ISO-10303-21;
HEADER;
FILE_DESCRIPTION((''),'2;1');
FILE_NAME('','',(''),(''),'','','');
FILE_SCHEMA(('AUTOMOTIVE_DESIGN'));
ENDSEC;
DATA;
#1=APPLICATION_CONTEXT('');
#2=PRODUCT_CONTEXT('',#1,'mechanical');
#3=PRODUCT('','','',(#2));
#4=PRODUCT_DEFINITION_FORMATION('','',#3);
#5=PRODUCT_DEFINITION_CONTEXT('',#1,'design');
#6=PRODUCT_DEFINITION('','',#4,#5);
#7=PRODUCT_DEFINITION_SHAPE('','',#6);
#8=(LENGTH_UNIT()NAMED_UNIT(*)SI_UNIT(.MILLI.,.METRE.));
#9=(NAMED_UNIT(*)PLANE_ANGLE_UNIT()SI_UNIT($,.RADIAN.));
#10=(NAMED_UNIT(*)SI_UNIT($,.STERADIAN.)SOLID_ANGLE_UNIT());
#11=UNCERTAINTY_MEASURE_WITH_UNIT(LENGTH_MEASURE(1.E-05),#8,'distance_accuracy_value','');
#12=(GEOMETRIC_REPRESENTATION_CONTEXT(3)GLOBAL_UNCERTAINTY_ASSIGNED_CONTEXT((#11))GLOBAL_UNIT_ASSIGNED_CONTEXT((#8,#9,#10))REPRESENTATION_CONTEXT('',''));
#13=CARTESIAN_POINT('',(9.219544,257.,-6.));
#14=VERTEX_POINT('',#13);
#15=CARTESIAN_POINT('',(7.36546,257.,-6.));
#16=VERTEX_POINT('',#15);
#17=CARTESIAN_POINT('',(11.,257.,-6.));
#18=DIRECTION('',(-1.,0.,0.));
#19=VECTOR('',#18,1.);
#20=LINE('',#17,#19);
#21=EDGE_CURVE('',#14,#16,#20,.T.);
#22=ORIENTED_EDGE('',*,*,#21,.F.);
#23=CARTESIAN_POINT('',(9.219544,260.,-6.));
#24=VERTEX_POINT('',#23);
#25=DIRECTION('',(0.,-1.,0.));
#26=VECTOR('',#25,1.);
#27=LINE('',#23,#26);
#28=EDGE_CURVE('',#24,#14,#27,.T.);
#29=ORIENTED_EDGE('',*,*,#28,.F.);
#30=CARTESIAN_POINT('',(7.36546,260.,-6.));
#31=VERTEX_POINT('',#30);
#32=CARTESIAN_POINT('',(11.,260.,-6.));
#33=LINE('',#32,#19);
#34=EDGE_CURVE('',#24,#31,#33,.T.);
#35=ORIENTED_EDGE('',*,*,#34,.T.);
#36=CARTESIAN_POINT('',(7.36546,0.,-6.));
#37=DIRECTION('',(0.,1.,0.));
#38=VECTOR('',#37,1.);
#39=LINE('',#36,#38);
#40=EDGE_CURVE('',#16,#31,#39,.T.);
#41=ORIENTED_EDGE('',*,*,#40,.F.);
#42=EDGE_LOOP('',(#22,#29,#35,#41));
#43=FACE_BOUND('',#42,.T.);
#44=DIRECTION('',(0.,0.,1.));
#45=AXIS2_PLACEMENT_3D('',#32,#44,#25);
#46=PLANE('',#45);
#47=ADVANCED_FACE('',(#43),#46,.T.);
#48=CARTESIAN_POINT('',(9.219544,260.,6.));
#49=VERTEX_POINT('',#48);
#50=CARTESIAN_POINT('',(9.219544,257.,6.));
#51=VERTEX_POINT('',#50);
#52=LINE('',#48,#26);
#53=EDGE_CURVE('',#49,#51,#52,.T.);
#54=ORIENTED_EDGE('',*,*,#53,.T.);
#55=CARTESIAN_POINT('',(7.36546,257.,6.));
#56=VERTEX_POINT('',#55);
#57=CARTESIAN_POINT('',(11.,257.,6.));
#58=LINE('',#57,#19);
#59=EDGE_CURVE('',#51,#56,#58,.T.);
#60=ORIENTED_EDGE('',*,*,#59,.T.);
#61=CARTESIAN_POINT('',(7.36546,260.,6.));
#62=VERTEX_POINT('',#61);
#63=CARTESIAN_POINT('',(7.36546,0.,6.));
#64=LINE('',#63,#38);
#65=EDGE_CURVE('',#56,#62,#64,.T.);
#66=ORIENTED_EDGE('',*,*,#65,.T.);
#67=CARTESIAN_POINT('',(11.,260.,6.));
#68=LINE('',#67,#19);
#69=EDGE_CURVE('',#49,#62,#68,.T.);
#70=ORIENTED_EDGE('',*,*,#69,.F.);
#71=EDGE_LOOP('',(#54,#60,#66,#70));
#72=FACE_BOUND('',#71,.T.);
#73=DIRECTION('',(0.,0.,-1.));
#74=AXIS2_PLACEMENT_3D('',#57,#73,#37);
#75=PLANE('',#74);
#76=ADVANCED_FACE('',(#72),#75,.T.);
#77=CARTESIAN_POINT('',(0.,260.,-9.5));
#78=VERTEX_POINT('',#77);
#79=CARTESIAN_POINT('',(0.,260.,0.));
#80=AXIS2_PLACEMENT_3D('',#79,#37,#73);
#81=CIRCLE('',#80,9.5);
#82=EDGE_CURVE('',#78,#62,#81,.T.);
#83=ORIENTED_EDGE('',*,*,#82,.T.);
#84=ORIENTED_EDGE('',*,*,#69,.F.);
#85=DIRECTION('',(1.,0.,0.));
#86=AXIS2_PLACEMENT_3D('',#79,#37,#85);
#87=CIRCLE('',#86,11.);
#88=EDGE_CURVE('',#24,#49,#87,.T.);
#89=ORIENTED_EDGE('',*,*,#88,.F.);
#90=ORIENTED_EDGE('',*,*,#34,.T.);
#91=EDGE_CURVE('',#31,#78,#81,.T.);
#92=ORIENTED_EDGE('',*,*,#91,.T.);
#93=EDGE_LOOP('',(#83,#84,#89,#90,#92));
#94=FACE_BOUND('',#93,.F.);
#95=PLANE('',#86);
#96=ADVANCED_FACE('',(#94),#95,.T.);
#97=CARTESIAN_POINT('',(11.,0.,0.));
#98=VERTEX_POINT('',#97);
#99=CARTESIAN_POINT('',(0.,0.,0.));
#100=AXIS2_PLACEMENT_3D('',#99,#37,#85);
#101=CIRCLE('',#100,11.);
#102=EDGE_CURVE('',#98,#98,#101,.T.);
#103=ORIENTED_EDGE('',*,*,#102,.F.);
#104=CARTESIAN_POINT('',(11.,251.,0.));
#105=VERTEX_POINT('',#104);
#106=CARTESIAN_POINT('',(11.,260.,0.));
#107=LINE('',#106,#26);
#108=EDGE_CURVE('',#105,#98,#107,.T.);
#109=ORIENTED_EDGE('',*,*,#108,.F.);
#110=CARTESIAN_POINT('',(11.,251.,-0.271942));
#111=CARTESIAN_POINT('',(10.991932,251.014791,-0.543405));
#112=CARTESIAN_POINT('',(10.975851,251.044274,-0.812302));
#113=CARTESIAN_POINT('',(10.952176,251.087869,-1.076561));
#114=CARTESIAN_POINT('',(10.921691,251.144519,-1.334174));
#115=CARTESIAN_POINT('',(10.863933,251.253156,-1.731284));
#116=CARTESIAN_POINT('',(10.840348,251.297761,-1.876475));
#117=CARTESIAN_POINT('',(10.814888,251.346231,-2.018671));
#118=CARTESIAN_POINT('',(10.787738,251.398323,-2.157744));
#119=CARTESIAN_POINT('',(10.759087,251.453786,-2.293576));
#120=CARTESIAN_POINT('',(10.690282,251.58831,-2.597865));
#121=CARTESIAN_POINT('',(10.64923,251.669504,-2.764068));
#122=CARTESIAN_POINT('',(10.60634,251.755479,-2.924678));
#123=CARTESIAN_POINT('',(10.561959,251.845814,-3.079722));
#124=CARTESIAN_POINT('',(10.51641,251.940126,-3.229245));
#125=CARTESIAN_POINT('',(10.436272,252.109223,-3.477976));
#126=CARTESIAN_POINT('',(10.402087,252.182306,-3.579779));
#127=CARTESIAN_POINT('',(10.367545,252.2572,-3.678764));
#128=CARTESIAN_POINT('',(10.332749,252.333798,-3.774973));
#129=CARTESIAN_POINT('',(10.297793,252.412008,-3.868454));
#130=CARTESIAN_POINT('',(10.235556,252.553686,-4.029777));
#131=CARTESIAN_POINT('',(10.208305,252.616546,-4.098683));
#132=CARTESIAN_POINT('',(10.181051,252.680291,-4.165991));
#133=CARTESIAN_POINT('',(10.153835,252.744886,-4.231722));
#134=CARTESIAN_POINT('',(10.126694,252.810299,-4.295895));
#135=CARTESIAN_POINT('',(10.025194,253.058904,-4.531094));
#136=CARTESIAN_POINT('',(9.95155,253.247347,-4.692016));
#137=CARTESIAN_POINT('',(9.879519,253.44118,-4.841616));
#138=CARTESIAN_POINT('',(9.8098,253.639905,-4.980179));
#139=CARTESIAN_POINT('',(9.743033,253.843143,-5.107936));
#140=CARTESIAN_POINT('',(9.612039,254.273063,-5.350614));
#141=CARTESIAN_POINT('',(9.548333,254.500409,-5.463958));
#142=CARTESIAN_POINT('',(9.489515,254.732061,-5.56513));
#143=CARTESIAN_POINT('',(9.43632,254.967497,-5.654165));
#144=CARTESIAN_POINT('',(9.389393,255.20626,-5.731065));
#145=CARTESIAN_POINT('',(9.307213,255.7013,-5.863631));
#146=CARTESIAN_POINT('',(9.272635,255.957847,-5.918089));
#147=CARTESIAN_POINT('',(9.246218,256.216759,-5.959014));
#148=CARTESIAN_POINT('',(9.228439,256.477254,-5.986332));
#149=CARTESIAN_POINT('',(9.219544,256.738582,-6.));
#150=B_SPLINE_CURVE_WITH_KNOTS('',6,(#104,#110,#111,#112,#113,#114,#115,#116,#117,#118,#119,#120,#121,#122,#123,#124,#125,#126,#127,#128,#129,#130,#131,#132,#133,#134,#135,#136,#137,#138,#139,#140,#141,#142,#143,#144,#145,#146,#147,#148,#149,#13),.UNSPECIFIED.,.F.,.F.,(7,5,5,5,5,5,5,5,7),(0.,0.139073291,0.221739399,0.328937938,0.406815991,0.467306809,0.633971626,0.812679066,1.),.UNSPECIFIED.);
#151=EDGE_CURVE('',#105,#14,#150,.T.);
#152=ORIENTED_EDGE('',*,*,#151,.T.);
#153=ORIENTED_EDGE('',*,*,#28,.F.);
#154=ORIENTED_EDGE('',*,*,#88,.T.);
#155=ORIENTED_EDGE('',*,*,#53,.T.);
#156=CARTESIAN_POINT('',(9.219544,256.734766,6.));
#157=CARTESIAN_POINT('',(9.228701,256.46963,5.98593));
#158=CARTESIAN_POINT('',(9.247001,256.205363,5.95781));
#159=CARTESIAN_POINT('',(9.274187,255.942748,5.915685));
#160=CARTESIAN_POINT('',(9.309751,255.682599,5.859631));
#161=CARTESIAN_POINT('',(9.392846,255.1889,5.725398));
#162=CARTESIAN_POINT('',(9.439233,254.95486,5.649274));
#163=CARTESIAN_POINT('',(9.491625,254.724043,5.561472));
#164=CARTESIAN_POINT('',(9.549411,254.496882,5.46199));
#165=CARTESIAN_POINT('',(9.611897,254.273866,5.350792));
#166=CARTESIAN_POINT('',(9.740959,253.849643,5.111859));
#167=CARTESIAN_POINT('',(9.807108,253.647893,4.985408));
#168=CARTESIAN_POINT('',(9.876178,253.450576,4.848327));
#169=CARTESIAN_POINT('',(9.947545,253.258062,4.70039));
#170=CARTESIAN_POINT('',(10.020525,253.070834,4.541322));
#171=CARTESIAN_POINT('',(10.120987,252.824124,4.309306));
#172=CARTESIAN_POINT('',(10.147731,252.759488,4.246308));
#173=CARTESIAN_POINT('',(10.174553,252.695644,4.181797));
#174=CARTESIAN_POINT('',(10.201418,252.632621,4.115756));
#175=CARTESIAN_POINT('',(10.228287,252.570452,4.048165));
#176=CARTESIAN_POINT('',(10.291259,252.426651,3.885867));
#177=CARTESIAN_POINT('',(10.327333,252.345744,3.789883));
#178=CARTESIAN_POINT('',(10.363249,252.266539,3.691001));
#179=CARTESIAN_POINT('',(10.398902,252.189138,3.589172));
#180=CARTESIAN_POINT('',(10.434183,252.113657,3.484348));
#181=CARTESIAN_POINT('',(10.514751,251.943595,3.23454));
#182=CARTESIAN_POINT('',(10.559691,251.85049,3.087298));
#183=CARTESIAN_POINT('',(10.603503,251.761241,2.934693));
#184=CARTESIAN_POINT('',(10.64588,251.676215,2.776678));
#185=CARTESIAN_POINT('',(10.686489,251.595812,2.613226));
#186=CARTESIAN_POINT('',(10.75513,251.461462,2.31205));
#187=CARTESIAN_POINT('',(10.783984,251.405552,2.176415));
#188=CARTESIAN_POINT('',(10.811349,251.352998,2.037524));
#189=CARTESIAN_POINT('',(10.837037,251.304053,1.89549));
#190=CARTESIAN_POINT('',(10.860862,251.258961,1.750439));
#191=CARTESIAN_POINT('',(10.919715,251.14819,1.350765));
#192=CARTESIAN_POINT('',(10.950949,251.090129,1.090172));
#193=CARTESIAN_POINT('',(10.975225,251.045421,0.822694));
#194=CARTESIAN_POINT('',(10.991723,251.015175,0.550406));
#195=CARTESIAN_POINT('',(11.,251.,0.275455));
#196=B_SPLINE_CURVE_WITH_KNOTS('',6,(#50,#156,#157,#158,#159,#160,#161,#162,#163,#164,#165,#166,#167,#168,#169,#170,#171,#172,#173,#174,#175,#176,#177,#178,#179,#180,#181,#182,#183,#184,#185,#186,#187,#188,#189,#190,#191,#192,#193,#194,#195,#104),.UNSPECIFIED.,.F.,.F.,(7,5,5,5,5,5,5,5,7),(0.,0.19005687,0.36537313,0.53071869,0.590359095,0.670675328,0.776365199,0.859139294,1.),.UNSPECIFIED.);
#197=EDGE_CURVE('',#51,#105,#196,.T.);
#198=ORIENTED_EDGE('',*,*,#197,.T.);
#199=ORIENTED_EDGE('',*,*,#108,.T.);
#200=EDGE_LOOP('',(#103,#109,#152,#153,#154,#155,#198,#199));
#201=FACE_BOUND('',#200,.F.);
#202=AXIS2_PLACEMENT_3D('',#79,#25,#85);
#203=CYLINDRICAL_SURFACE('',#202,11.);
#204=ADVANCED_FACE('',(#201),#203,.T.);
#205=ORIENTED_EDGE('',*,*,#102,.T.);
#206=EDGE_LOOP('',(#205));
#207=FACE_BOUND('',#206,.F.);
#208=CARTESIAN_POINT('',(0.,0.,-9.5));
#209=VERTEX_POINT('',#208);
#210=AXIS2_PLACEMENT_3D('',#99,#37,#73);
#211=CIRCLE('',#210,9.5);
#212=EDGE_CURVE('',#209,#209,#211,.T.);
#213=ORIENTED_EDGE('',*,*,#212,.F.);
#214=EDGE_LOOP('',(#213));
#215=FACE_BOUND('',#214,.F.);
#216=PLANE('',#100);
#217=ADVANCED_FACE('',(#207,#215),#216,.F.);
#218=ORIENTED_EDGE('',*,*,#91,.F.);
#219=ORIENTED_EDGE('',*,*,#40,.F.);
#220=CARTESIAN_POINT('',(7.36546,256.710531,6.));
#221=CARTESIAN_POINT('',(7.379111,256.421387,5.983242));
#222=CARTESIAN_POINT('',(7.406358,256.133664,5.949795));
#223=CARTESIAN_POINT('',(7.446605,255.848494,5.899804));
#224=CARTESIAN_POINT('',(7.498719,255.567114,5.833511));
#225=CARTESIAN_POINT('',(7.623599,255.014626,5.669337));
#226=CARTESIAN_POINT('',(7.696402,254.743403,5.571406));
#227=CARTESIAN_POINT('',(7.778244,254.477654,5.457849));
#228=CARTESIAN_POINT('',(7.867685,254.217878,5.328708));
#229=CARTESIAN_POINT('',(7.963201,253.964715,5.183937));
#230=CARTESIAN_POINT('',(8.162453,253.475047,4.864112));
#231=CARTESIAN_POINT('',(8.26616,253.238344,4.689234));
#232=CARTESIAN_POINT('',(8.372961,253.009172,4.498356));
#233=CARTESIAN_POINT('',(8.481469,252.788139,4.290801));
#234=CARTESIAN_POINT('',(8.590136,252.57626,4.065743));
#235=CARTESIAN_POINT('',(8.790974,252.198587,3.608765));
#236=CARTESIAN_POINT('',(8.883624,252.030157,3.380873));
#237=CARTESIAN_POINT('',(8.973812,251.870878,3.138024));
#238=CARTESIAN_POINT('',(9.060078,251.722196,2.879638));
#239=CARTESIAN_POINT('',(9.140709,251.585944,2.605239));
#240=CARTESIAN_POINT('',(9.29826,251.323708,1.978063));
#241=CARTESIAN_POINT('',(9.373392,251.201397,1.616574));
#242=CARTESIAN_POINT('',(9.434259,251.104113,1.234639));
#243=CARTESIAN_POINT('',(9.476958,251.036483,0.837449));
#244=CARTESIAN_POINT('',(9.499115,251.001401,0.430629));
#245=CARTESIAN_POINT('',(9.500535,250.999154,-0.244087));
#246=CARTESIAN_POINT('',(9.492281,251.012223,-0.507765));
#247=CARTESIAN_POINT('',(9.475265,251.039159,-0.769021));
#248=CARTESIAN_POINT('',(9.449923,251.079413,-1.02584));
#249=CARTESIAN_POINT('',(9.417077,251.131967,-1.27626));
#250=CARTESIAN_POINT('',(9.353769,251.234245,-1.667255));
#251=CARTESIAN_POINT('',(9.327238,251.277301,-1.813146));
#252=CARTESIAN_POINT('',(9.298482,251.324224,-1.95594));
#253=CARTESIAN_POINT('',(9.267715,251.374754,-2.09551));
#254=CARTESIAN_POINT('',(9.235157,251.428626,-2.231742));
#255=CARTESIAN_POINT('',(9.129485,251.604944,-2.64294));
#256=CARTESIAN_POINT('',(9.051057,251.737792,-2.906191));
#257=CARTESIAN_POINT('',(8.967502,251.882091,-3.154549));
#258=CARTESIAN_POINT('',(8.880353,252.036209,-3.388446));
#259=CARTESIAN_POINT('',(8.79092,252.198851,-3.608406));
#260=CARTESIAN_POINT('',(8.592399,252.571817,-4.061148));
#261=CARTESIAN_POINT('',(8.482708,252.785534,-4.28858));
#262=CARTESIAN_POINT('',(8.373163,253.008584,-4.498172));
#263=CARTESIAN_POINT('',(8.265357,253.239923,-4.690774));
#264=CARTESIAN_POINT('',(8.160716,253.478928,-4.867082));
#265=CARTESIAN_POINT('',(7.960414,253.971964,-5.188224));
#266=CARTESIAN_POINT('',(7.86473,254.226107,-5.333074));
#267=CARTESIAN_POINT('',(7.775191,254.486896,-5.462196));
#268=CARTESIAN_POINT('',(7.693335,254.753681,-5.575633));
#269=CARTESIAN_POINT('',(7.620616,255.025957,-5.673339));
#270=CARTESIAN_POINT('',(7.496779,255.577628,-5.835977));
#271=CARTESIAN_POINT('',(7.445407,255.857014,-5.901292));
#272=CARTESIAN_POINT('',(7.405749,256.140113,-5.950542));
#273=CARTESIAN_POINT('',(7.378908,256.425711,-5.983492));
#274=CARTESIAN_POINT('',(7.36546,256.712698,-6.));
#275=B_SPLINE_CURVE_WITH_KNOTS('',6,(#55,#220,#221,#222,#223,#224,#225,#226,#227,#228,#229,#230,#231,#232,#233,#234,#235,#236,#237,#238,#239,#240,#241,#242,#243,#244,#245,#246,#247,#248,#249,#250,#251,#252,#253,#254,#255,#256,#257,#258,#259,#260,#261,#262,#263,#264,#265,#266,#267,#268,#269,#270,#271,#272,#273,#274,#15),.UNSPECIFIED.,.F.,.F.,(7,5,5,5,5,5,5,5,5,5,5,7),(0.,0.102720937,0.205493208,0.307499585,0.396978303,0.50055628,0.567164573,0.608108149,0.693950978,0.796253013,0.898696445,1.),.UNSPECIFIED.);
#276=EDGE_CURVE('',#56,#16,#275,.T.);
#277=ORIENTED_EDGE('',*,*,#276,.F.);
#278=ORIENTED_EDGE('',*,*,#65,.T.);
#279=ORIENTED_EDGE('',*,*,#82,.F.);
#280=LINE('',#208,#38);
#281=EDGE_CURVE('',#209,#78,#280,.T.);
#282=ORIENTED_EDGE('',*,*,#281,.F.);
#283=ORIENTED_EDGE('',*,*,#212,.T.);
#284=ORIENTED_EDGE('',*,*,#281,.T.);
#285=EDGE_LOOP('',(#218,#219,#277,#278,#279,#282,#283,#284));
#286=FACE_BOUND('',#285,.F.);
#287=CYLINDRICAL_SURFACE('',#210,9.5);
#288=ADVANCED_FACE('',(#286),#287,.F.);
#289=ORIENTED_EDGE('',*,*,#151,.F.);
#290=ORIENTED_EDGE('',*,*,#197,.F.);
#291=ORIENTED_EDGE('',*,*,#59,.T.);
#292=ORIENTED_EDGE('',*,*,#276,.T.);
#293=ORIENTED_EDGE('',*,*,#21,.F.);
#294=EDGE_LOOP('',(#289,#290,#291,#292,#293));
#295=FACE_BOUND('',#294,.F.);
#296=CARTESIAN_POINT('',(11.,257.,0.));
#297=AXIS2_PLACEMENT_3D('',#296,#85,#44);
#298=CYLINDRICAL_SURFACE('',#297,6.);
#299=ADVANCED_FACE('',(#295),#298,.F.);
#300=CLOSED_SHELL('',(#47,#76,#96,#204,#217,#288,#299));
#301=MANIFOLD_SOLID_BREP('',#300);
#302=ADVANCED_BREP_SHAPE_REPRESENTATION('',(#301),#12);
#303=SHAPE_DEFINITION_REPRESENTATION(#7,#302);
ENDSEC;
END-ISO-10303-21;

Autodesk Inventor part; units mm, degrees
ref_plane "XZ Plane" through (0, 0, 0) normal (0, 1, 0) x (-1, 0, 0)
ref_plane "XY Plane" through (0, 0, 0) normal (0, 0, 1) x (1, 0, 0)
sketch "Sketch1" plane through (0, 0, 0) normal (0, 0, 1) x (1, 0, 0)
  line L0 (0, 0) -> (0, 260)
  line L1 (0, 260) -> (11, 260)
  line L2 (11, 260) -> (11, 0)
  line L3 (11, 0) -> (0, 0)
  dimension "d0" = 22
  dimension "d1" = 260
revolve "Revolution1" add sketch "Sketch1" angle 360 about axis through (0, 0, 0) along (0, 1, 0)
sketch "Sketch2" plane through (0, 0, 0) normal (0, -1, 0) x (1, 0, 0)
  circle A0 centre (0, 0) radius 11 projected
hole "Hole1" at (0, 0, 0) direction (0, 1, 0) diameter 19 depth 260
ref_plane "Work Plane1" through (11, 0, 0) normal (1, 0, 0) x (0, 1, 0)
sketch "Sketch3" plane through (11, 0, 0) normal (1, 0, 0) x (0, 1, 0)
  line L0 (260, -11) -> (260, 11) projected
  line L1 (0, -11) -> (0, 11) projected
  line L2 (0, -11) -> (260, -11) projected
  line L3 (0, 11) -> (260, 11) projected
  line L4 (260, -6) -> (257, -6)
  arc A0 (257, 6) -> (257, -6) centre (257, 0) ccw
  line L5 (257, 6) -> (260, 6)
  point P0 (0, 0)
  point P1 (0, 0)
  dimension "d11" = 3
  dimension "d12" = 6
extrude "Extrusion1" cut sketch "Sketch3" against normal up to surface contours L4 A0 L5 L0
properties part number "132 part 1" material "Aluminum 6061-AHC"
